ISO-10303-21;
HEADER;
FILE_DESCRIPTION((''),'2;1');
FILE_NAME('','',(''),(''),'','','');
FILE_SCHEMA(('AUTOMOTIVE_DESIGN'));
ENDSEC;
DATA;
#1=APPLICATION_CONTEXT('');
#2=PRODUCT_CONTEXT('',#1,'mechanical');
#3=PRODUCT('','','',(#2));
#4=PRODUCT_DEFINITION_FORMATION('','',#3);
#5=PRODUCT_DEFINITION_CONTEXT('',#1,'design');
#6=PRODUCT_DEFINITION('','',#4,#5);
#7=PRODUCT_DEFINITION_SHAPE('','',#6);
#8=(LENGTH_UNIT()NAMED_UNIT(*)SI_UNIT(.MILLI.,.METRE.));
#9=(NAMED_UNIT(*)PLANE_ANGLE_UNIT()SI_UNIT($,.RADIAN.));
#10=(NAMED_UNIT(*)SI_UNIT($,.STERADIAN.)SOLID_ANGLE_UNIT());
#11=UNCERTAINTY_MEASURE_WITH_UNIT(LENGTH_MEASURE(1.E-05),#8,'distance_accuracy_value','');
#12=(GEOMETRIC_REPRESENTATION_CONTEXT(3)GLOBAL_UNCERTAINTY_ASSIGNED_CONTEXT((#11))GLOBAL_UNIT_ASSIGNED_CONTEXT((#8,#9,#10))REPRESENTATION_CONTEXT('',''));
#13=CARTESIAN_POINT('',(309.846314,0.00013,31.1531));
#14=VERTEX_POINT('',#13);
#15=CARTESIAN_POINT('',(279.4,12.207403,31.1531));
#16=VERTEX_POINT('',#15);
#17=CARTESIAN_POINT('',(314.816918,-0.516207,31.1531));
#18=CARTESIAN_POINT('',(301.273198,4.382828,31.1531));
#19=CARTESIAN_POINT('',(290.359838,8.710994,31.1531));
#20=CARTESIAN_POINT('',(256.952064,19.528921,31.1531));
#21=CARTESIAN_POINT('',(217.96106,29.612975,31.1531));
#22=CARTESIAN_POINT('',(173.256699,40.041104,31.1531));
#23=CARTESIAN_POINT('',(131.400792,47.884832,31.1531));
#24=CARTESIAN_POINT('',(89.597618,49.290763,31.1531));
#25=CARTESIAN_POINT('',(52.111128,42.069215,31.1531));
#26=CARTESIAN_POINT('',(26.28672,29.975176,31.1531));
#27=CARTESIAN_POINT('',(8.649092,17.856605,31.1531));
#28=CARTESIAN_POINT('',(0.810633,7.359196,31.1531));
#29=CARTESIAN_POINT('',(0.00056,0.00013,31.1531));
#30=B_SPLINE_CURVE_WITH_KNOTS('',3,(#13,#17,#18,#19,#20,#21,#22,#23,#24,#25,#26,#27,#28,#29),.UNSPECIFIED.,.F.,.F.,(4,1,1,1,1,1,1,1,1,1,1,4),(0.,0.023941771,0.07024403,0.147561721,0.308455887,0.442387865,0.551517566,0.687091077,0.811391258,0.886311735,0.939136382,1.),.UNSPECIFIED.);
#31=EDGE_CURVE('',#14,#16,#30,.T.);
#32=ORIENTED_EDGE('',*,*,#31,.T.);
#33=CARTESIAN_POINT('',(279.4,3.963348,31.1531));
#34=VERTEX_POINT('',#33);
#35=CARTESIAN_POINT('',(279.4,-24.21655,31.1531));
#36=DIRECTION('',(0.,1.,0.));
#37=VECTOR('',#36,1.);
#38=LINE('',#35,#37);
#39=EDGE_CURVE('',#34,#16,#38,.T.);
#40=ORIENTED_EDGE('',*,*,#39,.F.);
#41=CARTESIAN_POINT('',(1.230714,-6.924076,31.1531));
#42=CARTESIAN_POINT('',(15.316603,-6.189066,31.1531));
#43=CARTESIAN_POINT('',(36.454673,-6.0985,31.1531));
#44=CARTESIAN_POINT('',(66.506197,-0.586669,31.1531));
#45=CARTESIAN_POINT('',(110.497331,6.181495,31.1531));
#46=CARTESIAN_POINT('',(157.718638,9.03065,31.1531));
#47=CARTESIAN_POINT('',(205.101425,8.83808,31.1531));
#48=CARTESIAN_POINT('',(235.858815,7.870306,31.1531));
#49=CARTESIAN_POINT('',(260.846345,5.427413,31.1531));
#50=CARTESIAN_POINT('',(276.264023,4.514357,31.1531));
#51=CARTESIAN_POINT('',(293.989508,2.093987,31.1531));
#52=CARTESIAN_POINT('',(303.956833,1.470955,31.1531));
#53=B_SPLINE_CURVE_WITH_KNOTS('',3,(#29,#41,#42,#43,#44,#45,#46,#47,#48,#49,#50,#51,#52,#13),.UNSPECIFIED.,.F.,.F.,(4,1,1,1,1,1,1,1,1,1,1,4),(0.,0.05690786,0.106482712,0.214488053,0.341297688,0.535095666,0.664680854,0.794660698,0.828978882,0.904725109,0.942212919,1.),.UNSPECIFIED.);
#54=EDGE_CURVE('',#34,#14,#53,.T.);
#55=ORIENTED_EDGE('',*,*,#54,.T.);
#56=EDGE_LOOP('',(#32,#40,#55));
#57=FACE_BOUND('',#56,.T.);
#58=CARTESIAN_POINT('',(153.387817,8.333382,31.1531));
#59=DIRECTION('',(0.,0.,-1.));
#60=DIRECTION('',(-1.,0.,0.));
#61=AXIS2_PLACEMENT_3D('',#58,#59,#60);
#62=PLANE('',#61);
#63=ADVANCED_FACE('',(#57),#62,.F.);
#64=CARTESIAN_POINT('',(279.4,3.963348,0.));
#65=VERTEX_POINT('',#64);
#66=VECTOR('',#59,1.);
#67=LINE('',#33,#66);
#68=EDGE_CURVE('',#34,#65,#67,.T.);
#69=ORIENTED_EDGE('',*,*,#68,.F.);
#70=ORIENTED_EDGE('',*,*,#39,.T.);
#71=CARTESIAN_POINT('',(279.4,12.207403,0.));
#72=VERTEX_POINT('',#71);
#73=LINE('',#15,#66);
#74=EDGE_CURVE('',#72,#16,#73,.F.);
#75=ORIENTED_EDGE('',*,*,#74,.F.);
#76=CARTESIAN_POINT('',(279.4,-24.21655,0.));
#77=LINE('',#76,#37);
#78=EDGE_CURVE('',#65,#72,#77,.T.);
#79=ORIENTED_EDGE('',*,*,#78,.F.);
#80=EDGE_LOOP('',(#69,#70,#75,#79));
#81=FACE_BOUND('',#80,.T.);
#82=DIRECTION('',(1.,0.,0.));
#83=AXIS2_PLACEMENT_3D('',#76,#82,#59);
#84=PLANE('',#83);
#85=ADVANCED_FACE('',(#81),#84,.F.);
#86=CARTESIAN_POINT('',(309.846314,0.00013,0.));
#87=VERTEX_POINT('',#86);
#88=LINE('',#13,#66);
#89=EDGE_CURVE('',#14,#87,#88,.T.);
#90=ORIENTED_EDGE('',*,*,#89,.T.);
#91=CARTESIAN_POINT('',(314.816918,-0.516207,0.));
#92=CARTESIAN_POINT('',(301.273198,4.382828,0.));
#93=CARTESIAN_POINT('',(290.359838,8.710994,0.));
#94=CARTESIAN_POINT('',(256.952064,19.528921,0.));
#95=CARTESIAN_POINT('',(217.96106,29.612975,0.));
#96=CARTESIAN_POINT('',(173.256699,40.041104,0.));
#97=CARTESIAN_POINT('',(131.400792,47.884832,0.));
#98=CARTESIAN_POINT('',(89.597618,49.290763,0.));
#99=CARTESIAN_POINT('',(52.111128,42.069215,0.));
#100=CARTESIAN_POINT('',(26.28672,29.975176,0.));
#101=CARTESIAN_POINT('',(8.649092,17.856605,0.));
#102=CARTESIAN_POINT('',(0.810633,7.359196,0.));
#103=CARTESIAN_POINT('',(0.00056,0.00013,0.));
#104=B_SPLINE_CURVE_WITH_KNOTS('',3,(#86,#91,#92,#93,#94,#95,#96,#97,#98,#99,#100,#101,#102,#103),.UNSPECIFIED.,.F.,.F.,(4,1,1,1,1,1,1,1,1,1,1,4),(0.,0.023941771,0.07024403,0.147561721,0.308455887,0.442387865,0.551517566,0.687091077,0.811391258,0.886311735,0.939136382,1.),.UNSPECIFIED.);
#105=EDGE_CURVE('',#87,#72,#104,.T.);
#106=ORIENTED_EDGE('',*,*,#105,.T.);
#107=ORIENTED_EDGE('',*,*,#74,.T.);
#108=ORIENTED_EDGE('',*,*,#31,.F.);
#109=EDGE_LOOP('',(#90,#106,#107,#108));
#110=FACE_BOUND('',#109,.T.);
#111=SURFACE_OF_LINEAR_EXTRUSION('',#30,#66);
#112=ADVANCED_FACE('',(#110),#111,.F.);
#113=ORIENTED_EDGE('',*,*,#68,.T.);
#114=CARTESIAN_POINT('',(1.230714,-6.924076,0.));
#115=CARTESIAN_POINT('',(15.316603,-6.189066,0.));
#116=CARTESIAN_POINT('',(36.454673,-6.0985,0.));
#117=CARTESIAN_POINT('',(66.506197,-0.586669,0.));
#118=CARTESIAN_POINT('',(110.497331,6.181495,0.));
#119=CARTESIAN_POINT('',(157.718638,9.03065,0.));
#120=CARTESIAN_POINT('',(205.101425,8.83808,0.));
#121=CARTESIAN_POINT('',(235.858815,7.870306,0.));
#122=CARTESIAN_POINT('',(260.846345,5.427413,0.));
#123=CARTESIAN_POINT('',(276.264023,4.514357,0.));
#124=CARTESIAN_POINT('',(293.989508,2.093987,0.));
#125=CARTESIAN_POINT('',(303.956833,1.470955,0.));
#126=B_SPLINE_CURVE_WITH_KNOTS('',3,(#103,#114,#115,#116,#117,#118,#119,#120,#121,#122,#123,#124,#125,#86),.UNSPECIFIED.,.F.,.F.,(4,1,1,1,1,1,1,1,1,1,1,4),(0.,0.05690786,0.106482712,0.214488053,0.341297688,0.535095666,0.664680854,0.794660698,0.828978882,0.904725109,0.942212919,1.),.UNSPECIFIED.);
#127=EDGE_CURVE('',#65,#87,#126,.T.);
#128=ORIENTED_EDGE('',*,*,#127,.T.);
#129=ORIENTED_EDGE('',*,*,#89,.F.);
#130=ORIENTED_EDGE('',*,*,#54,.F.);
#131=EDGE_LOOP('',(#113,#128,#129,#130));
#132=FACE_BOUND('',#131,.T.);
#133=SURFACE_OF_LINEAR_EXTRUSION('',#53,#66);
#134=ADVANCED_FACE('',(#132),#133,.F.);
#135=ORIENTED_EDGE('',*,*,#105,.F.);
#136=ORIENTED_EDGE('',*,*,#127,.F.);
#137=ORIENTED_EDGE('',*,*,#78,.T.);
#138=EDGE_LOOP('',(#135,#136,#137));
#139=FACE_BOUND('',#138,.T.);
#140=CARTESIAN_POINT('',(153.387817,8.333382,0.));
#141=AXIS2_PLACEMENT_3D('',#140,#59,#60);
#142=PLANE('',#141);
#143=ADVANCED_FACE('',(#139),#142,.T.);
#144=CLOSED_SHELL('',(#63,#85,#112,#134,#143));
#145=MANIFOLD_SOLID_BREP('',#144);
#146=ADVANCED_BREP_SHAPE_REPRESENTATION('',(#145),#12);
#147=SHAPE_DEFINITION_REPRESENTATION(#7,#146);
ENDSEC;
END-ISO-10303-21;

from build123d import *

# Parameters (mm, degrees)
BOSS_EXTRUDE1_DEPTH = 31.1531
SKETCH2_R           = 6.35
SKETCH2_R_2         = 3.175
CUT_EXTRUDE1_DEPTH  = 318.261218693
SKETCH4_W           = 311.512427185
SKETCH4_H           = 117.489254048
CUT_EXTRUDE3_DEPTH  = 318.261218693


with BuildPart() as part:
    # Sketch1 → Boss-Extrude1 (new body)
    with BuildSketch(Plane.XY):
        with BuildLine():
            add(Edge.make_bspline(
                [(0.000560351, 0.000130087), (0.810633127, 7.359196055), (8.649092025, 17.856605174), (26.286719818, 29.975176328), (52.111128271, 42.069215275), (89.597618475, 49.290763054), (131.400792109, 47.884831915), (173.256699242, 40.041104278), (217.961060472, 29.612974894), (256.952064401, 19.528920948), (290.35983767, 8.71099439), (301.273197721, 4.382828139), (314.816918223, -0.516206742), (309.846313895, 0.000130087)],
                knots=[0, 0, 0, 0, 0.060863618, 0.113688265, 0.188608742, 0.312908923, 0.448482434, 0.557612135, 0.691544113, 0.852438279, 0.92975597, 0.976058229, 1, 1, 1, 1], degree=3))
            add(Edge.make_bspline(
                [(309.846313895, 0.000130087), (303.956832565, 1.47095521), (293.989507544, 2.093987313), (276.26402299, 4.514356704), (260.846344817, 5.427413394), (235.858814759, 7.870306192), (205.101424636, 8.838080282), (157.718638092, 9.030650149), (110.497331172, 6.181495223), (66.506197185, -0.586669107), (36.454672816, -6.098499901), (15.316603331, -6.189065841), (1.230714189, -6.924076091), (0.000560351, 0.000130087)],
                knots=[0, 0, 0, 0, 0.057787081, 0.095274891, 0.171021118, 0.205339302, 0.335319146, 0.464904334, 0.658702312, 0.785511947, 0.893517288, 0.94309214, 1, 1, 1, 1], degree=3))
        make_face()
    extrude(amount=BOSS_EXTRUDE1_DEPTH)

    # Sketch2 → Cut-Extrude1 (cut, through all)
    with BuildSketch(Plane.XY.offset(31.1531)):
        with Locations((20.32, 10.16)):
            Circle(SKETCH2_R)
        with Locations((227.296313895, 19.050130087)):
            Circle(SKETCH2_R_2)
    extrude(amount=-CUT_EXTRUDE1_DEPTH, mode=Mode.SUBTRACT)

    # Sketch4 → Cut-Extrude3 (cut, through all)
    with BuildSketch(Plane.XY.offset(31.1531)):
        with Locations((123.643786408, 34.528076629)):
            Rectangle(SKETCH4_W, SKETCH4_H)
    extrude(amount=-CUT_EXTRUDE3_DEPTH, mode=Mode.SUBTRACT)


solid = part.part
